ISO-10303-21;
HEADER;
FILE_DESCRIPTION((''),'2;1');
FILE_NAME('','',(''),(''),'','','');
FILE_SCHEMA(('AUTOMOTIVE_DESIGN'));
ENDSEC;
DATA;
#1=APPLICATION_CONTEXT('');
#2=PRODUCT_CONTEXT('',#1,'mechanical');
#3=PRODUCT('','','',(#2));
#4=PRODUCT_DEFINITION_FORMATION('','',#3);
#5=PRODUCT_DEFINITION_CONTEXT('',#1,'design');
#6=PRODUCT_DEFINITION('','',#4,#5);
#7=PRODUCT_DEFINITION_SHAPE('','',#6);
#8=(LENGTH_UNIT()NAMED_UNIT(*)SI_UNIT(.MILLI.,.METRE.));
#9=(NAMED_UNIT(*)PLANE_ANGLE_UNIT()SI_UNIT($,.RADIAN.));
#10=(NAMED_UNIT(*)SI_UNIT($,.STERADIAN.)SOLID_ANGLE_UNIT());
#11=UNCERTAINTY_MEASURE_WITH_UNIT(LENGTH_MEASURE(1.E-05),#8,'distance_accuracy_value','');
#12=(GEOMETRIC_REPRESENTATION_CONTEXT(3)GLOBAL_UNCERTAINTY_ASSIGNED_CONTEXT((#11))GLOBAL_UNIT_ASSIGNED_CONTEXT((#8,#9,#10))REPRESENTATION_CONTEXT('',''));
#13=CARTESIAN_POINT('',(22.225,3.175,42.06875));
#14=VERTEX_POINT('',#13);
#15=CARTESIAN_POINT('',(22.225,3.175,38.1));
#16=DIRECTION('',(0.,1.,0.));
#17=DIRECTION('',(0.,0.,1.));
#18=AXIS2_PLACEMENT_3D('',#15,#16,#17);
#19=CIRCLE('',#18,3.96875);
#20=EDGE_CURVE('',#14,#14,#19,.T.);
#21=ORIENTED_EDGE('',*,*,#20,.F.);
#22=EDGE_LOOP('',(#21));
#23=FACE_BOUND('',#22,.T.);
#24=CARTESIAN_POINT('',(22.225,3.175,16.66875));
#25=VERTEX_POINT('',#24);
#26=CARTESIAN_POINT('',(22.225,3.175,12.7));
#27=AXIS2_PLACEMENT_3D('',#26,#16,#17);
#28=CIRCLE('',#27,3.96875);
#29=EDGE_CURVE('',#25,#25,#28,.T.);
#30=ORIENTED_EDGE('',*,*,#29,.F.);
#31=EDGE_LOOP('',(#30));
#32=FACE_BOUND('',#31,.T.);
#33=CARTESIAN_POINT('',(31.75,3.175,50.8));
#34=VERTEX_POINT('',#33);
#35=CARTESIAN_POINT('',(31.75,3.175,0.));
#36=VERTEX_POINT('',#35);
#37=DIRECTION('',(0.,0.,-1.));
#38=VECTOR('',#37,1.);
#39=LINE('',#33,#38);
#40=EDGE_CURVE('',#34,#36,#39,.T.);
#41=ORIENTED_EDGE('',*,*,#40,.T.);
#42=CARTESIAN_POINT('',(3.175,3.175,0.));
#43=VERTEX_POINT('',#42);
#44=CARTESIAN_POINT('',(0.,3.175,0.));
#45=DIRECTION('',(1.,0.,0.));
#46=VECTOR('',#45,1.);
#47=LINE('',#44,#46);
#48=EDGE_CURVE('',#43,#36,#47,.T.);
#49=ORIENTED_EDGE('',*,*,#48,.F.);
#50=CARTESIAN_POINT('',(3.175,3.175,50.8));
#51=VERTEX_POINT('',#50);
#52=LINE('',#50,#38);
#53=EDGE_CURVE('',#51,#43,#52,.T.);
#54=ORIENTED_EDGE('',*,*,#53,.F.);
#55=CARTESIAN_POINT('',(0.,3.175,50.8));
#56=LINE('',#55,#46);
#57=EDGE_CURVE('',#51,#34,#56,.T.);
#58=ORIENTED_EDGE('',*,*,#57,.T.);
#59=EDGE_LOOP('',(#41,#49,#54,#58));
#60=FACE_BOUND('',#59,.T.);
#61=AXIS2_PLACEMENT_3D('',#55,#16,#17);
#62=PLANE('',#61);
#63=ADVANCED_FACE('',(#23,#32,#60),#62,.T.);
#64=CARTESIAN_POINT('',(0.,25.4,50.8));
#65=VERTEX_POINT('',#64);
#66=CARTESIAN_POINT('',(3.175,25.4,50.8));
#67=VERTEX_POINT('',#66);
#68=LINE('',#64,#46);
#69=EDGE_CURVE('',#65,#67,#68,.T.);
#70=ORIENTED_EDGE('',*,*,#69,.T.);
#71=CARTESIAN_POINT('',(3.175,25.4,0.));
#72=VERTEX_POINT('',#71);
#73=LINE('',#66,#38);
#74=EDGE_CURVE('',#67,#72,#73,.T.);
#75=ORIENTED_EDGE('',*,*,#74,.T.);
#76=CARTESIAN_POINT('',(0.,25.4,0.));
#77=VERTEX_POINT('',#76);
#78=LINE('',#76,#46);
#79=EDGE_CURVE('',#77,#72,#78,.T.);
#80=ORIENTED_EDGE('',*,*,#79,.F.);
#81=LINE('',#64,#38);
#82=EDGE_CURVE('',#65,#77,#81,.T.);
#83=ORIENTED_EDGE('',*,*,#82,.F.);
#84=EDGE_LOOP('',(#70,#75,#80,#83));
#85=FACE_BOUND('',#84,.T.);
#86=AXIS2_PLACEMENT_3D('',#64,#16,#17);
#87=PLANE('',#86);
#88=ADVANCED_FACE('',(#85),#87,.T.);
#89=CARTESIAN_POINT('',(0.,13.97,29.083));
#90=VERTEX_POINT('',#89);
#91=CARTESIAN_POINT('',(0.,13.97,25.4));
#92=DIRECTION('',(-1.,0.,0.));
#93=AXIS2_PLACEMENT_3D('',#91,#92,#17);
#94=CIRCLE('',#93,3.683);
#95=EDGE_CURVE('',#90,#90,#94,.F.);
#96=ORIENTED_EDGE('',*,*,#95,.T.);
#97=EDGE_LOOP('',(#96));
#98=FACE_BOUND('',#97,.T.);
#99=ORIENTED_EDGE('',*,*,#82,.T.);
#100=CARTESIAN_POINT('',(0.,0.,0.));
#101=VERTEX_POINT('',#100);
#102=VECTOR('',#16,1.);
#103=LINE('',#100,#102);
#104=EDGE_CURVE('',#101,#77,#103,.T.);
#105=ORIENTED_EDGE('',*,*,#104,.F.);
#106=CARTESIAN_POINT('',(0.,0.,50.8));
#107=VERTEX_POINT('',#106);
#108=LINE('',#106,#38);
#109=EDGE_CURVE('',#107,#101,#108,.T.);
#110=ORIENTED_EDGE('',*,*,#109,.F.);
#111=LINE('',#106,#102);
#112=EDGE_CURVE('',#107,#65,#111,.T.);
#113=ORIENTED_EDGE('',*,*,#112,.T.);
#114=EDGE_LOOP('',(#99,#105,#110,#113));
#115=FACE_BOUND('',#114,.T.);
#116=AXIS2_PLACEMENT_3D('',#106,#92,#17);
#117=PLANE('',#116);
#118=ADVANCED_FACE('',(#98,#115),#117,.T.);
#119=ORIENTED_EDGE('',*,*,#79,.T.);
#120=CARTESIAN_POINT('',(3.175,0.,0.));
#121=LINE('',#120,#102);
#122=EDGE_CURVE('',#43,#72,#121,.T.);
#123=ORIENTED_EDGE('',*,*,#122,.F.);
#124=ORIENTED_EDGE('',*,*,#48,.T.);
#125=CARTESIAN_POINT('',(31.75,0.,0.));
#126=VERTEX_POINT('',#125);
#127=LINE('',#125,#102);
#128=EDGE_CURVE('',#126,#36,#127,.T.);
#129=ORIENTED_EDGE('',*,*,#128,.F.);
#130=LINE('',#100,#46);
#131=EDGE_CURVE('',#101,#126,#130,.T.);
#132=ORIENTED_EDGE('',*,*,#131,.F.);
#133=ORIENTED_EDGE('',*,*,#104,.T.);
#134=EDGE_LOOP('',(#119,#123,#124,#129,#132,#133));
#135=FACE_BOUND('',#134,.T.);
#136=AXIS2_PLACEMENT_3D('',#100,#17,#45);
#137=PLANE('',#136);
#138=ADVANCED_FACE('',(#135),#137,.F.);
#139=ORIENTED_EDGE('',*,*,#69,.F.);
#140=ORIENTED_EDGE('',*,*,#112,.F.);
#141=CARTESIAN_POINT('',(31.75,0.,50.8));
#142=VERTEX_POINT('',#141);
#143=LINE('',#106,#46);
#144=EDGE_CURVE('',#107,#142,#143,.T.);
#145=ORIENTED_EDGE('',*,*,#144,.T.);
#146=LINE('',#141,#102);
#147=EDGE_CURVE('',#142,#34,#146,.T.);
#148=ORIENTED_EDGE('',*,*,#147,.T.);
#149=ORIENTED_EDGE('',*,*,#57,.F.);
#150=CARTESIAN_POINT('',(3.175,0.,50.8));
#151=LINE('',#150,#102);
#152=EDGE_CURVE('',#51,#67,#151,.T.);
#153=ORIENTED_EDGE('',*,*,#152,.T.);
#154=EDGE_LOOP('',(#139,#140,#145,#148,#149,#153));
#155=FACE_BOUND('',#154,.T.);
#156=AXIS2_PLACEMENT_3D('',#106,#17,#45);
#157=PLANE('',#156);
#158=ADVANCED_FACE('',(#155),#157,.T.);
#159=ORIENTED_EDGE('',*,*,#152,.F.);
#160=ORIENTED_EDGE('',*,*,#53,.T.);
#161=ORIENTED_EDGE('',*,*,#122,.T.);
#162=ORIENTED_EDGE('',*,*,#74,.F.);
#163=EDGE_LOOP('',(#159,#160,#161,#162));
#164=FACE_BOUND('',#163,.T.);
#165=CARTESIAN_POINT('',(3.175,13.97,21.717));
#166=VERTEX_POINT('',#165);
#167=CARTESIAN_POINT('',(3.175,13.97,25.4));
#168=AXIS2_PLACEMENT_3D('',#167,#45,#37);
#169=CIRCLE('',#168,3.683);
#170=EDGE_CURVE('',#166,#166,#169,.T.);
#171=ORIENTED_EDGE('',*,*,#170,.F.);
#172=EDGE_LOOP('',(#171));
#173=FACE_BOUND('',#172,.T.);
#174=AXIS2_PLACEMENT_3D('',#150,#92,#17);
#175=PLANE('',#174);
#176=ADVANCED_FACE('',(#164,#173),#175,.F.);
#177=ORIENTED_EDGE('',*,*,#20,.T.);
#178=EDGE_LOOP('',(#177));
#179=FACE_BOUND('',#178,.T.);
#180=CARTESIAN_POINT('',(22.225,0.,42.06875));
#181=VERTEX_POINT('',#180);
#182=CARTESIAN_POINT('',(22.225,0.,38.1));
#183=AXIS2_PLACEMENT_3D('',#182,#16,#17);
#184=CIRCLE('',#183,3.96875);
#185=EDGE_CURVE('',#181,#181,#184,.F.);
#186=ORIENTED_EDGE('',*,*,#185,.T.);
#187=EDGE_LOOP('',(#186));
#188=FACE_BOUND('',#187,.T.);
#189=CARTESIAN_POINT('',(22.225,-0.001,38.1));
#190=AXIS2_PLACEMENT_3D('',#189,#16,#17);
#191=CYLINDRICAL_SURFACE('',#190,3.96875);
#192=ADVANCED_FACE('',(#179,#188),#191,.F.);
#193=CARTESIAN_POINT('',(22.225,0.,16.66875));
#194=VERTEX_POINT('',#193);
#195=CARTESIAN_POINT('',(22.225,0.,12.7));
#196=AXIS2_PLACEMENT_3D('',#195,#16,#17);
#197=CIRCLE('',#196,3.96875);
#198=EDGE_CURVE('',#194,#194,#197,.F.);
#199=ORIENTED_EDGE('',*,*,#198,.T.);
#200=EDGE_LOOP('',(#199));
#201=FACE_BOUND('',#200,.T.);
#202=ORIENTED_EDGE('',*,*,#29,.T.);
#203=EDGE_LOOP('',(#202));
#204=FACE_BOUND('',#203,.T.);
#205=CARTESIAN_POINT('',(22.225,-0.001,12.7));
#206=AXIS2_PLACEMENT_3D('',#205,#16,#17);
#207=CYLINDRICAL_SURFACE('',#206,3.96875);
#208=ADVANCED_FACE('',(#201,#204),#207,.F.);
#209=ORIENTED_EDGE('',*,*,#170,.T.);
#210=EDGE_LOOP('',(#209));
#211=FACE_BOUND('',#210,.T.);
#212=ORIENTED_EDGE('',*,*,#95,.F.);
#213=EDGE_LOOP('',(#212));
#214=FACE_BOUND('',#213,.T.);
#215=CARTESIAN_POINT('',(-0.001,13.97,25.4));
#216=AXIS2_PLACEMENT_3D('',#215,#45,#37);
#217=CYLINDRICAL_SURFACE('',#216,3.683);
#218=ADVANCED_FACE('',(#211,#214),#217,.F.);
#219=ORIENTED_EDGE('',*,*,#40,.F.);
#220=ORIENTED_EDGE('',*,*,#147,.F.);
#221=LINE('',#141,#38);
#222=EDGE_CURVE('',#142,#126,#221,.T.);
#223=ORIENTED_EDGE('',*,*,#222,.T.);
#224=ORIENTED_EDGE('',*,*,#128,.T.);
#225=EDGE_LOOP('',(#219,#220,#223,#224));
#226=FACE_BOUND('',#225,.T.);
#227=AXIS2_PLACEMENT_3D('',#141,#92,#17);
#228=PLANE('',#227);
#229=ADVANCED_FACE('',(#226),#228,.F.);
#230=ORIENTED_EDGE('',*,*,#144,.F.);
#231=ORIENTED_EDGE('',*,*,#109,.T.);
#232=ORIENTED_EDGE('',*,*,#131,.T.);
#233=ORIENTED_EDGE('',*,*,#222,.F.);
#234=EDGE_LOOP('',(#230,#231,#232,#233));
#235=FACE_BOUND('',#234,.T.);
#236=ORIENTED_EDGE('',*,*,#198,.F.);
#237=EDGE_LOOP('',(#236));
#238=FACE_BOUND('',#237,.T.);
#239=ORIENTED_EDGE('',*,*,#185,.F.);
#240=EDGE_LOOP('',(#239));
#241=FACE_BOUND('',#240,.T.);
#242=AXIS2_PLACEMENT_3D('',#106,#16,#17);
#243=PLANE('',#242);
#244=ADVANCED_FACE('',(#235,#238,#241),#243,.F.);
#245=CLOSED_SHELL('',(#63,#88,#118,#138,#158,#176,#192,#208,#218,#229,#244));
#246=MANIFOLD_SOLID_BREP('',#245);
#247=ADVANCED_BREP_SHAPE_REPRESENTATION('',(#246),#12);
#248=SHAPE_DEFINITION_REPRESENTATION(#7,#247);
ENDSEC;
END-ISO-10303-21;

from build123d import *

# Parameters (mm, degrees)
SKETCH1_W           = 3.175
SKETCH1_H           = 25.4
SKETCH1_W_2         = 28.575
SKETCH1_H_2         = 3.175
BOSS_EXTRUDE1_DEPTH = 50.8
POT_MOUNT_REACH     = 5.175
SKETCH2_R           = 3.683
BASE_MOUNT_REACH    = 5.175
SKETCH3_R           = 3.96875


with BuildPart() as part:
    # Sketch1 → Boss-Extrude1 (new body)
    with BuildSketch(Plane.XY):
        with Locations((1.5875, 12.7)):
            Rectangle(SKETCH1_W, SKETCH1_H)
        with Locations((17.4625, 1.5875)):
            Rectangle(SKETCH1_W_2, SKETCH1_H_2)
    extrude(amount=BOSS_EXTRUDE1_DEPTH)

    # Sketch2 → Pot Mount (cut, up to next)
    with BuildSketch(Plane(origin=(3.175, 0, 0), x_dir=(0, 0, -1), z_dir=(1, 0, 0)), mode=Mode.PRIVATE) as pot_mount_sk1:
        with Locations((-25.4, 13.97)):
            Circle(SKETCH2_R)
    pot_mount_tool1 = extrude(pot_mount_sk1.sketch, amount=-POT_MOUNT_REACH, mode=Mode.PRIVATE) & part.part
    add(pot_mount_tool1.solids().sort_by_distance((3.175, 13.97, 25.4))[0], mode=Mode.SUBTRACT)

    # Sketch3 → Base Mount (cut, up to next)
    with BuildSketch(Plane(origin=(0, 3.175, 0), x_dir=(1, 0, 0), z_dir=(0, 1, 0)), mode=Mode.PRIVATE) as base_mount_sk1:
        with Locations((22.225, -38.1)):
            Circle(SKETCH3_R)
    base_mount_tool1 = extrude(base_mount_sk1.sketch, amount=-BASE_MOUNT_REACH, mode=Mode.PRIVATE) & part.part
    add(base_mount_tool1.solids().sort_by_distance((22.225, 3.175, 38.1))[0], mode=Mode.SUBTRACT)
    # Sketch3 → Base Mount (cut, up to next)
    with BuildSketch(Plane(origin=(0, 3.175, 0), x_dir=(1, 0, 0), z_dir=(0, 1, 0)), mode=Mode.PRIVATE) as base_mount_sk2:
        with Locations((22.225, -12.7)):
            Circle(SKETCH3_R)
    base_mount_tool2 = extrude(base_mount_sk2.sketch, amount=-BASE_MOUNT_REACH, mode=Mode.PRIVATE) & part.part
    add(base_mount_tool2.solids().sort_by_distance((22.225, 3.175, 12.7))[0], mode=Mode.SUBTRACT)


solid = part.part
